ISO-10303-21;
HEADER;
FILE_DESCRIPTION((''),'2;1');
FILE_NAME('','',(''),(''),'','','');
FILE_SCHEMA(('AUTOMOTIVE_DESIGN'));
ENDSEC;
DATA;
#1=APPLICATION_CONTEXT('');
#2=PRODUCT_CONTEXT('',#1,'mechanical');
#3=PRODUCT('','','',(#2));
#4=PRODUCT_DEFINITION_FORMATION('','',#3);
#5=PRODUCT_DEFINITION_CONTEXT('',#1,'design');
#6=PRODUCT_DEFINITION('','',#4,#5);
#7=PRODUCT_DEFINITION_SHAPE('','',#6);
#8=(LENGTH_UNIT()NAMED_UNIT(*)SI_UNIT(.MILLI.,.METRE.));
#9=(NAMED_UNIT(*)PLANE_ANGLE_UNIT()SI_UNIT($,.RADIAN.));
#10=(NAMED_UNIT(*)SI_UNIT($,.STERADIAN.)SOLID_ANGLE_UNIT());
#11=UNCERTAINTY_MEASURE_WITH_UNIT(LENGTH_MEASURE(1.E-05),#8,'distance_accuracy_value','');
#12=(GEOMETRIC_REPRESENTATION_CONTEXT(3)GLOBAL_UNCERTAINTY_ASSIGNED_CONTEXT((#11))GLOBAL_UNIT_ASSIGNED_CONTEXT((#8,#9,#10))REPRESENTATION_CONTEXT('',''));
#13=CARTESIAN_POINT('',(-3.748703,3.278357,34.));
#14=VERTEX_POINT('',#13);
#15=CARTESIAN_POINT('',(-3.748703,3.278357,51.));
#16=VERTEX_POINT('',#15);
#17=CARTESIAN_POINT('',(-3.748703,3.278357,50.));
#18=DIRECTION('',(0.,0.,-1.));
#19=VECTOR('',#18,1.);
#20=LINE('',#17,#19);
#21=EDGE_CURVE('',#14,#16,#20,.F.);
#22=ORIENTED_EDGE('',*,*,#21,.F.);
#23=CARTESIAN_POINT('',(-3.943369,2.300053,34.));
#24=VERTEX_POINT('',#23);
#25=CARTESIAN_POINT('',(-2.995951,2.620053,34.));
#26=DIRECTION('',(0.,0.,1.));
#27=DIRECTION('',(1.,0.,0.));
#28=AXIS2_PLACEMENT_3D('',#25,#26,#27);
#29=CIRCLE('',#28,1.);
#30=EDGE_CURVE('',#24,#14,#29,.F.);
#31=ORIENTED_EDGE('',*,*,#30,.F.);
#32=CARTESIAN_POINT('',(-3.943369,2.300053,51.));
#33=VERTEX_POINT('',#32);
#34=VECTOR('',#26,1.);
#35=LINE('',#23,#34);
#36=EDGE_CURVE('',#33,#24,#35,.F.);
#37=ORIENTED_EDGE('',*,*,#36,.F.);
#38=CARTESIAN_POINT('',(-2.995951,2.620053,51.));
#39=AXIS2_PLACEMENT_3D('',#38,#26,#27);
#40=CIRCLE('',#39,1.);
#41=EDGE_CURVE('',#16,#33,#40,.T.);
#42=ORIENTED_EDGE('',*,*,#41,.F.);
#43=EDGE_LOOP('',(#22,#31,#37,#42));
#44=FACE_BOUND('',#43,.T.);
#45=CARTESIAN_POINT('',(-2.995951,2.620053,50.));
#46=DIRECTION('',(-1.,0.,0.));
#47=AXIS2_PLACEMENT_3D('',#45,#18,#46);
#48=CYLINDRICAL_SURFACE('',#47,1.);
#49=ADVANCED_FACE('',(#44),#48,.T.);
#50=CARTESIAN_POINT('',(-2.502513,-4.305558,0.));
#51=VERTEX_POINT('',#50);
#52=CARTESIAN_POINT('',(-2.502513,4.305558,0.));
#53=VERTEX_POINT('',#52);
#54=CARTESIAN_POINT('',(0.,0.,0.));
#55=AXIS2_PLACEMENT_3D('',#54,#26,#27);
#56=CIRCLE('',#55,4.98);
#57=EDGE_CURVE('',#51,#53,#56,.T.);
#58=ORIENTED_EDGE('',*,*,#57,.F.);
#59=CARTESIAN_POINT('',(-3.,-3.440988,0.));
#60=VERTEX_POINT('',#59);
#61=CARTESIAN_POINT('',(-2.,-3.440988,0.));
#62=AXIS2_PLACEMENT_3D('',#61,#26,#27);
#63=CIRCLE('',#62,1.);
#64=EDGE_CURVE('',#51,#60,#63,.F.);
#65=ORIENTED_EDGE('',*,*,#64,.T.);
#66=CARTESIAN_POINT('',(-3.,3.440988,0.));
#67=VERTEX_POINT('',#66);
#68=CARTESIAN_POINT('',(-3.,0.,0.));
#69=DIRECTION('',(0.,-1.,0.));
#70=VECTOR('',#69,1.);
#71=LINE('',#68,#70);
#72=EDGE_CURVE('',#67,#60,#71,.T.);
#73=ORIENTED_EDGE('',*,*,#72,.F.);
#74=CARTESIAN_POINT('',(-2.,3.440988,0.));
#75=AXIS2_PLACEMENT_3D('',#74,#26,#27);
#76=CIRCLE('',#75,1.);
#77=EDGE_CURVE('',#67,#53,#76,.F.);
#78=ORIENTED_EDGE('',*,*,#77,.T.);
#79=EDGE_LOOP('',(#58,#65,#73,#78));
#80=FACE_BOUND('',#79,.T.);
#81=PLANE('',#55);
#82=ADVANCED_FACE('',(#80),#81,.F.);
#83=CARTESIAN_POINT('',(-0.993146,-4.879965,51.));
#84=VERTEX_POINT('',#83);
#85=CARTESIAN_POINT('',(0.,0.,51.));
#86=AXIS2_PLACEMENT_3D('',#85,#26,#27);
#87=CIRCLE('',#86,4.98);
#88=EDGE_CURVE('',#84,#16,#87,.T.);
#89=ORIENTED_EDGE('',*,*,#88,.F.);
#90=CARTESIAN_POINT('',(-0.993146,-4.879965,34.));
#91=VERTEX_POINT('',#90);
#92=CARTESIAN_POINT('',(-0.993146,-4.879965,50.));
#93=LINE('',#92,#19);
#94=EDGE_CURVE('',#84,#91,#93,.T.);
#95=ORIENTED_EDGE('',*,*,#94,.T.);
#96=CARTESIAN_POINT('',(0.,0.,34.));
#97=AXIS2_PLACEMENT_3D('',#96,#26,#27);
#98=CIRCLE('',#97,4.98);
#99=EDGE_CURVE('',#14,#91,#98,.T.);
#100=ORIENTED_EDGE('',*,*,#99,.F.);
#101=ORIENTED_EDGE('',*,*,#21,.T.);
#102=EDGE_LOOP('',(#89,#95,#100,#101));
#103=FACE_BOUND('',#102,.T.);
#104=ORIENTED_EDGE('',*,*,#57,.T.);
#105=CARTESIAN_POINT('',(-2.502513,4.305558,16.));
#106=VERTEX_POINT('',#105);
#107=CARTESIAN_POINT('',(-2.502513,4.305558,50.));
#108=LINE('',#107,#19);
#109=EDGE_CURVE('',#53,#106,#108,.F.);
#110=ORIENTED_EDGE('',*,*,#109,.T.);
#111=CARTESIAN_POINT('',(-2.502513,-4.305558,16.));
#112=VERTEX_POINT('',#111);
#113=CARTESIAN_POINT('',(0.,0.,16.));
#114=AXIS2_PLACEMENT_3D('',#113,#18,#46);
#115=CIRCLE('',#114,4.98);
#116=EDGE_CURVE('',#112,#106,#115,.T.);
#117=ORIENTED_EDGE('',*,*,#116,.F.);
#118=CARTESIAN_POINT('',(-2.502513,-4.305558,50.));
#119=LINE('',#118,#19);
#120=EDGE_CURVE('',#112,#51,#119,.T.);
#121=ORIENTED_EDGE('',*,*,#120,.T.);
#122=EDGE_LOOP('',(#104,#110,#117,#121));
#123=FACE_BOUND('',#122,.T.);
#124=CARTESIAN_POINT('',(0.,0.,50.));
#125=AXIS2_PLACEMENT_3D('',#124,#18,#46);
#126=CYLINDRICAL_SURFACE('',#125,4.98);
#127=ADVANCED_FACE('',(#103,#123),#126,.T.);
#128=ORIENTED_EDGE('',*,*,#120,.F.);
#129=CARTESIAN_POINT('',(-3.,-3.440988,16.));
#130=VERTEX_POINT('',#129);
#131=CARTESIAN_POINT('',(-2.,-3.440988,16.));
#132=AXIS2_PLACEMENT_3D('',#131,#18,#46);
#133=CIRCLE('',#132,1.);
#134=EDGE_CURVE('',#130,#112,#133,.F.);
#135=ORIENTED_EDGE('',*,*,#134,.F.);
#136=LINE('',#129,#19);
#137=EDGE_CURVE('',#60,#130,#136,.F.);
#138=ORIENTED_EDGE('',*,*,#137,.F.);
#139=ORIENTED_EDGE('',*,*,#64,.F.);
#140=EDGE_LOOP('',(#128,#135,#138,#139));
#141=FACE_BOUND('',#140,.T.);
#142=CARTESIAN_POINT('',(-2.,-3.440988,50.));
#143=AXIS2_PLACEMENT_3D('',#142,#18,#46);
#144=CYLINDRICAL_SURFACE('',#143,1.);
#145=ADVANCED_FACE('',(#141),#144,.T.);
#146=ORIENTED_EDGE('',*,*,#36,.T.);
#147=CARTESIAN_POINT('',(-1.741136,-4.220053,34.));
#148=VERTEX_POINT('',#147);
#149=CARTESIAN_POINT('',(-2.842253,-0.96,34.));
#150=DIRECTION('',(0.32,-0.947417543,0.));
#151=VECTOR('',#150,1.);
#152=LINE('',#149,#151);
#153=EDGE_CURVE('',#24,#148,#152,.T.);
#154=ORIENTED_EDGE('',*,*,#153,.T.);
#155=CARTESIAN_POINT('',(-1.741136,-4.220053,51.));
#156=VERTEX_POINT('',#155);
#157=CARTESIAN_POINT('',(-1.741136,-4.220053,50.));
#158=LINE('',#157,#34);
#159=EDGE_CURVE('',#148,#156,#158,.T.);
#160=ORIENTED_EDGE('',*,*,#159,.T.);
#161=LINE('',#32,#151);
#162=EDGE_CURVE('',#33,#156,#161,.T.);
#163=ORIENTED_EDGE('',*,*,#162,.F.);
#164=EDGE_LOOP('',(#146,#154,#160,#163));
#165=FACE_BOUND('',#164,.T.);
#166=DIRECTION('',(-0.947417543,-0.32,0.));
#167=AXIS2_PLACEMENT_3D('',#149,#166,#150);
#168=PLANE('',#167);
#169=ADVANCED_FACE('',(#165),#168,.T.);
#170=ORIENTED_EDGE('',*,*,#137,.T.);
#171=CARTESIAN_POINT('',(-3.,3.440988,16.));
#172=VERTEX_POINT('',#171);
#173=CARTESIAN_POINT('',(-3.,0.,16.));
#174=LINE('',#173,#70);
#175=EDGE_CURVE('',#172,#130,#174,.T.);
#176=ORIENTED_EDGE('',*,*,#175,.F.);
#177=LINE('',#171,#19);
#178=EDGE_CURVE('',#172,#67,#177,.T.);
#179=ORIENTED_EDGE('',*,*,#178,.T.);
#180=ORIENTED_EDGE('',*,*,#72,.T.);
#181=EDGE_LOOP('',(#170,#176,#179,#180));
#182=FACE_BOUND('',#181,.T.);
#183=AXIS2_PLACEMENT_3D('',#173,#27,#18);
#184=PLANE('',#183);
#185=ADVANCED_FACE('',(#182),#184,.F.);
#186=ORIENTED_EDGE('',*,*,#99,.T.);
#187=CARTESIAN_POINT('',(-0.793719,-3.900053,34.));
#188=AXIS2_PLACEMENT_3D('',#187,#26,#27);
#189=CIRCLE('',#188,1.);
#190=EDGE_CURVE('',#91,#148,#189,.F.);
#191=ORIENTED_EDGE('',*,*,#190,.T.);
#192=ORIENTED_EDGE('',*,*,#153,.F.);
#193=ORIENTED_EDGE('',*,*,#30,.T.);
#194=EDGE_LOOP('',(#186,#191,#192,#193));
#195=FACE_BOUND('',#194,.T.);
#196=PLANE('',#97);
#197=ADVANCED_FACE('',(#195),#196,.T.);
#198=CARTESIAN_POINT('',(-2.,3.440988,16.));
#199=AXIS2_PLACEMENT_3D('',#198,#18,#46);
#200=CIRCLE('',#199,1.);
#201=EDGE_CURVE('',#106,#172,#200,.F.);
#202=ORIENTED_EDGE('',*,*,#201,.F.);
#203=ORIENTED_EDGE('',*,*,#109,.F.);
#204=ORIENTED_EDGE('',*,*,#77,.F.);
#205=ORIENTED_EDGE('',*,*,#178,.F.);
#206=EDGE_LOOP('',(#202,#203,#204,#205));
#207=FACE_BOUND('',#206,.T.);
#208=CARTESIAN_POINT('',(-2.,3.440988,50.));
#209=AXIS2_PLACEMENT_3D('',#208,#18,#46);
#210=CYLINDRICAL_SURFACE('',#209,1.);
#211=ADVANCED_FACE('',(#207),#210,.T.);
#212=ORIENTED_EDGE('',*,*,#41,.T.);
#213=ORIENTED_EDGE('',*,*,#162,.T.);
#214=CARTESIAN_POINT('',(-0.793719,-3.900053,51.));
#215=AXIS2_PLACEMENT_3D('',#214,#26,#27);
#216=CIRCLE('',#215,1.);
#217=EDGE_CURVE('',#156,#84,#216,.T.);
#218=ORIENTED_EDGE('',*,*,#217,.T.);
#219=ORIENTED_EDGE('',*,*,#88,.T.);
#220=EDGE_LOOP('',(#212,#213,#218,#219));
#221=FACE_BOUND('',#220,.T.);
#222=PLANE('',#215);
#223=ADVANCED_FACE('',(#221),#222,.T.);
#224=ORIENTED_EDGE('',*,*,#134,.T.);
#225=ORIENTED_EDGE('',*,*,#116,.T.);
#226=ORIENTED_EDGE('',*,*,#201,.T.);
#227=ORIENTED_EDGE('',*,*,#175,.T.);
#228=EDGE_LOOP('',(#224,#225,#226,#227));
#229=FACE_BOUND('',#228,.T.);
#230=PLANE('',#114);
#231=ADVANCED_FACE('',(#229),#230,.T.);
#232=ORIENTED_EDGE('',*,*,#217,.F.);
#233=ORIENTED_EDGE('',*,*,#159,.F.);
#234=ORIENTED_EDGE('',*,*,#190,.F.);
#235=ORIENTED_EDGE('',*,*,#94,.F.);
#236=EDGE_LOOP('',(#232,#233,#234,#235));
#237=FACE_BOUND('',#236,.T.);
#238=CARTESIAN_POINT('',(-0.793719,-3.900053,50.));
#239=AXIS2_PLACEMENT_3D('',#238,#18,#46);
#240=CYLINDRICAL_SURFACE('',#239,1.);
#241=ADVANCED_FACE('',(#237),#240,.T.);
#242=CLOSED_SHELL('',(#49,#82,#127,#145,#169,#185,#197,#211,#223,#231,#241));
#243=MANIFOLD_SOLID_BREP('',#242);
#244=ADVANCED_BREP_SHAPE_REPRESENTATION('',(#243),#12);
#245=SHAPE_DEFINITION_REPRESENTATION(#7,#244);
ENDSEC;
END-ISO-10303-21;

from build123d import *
from build123d.topology import SkipClean

# Parameters (mm, degrees)
SKETCH1_R           = 4.98
BOSS_EXTRUDE1_DEPTH = 50
CUT_EXTRUDE1_DEPTH  = 16
CUT_EXTRUDE2_START  = -16
CUT_EXTRUDE2_DEPTH  = 16
FILLET1_R           = 1
BOSS_EXTRUDE2_START = 1
BOSS_EXTRUDE2_DEPTH = 1


with BuildPart() as part:
    # Sketch1 → Boss-Extrude1 (new body)
    with BuildSketch(Plane.XY):
        Circle(SKETCH1_R)
    extrude(amount=BOSS_EXTRUDE1_DEPTH)

    # Sketch2 → Cut-Extrude1 (cut)
    with BuildSketch(Plane(origin=(0, 0, 0), x_dir=(-1, 0, 0), z_dir=(0, 0, -1))):
        Polygon((3, 37.964295833), (3, 3.974971698), (3, -3.974971698), (3, -37.964295833), (70.97864827, -37.964295833), (70.97864827, 37.964295833), align=None)
    extrude(amount=-CUT_EXTRUDE1_DEPTH, mode=Mode.SUBTRACT)

    # Sketch3 → Cut-Extrude2 (cut)
    with BuildSketch(Plane.XY.offset(50).offset(CUT_EXTRUDE2_START)):
        with BuildLine():
            Line((-1.570261684, -4.725957918), (-4.114243571, 2.805957918))
            ThreePointArc((-4.114243571, 2.805957918), (-4.718139362, -1.5936), (-1.570261684, -4.725957918))
        make_face()
    extrude(amount=CUT_EXTRUDE2_DEPTH, mode=Mode.SUBTRACT)

    # Fillet1
    fillet1_edges = [part.edges().sort_by_distance(p)[0] for p in [
        (-3, 3.974971698, 8),
        (-3, -3.974971698, 8),
        (-4.114243571, 2.805957918, 42),
        (-1.570261684, -4.725957918, 42),
    ]]
    fillet(fillet1_edges, radius=FILLET1_R)

    # Sketch4 → Boss-Extrude2 (add)
    with SkipClean():  # the faces are left unmerged after this step: merging them gives an invalid solid
        with BuildSketch(Plane.XY.offset(50).offset(BOSS_EXTRUDE2_START)):
            with BuildLine():
                Line((-3.943368861, 2.300052613), (-1.741136394, -4.220052613))
                ThreePointArc((-1.741136394, -4.220052613), (-1.455295916, -4.649929795), (-0.993145699, -4.87996533))
                ThreePointArc((-0.993145699, -4.87996533), (4.718139362, 1.5936), (-3.748702906, 3.27835729))
                ThreePointArc((-3.748702906, 3.27835729), (-3.97672335, 2.81520953), (-3.943368861, 2.300052613))
            make_face()
        extrude(amount=-BOSS_EXTRUDE2_DEPTH)


solid = part.part
